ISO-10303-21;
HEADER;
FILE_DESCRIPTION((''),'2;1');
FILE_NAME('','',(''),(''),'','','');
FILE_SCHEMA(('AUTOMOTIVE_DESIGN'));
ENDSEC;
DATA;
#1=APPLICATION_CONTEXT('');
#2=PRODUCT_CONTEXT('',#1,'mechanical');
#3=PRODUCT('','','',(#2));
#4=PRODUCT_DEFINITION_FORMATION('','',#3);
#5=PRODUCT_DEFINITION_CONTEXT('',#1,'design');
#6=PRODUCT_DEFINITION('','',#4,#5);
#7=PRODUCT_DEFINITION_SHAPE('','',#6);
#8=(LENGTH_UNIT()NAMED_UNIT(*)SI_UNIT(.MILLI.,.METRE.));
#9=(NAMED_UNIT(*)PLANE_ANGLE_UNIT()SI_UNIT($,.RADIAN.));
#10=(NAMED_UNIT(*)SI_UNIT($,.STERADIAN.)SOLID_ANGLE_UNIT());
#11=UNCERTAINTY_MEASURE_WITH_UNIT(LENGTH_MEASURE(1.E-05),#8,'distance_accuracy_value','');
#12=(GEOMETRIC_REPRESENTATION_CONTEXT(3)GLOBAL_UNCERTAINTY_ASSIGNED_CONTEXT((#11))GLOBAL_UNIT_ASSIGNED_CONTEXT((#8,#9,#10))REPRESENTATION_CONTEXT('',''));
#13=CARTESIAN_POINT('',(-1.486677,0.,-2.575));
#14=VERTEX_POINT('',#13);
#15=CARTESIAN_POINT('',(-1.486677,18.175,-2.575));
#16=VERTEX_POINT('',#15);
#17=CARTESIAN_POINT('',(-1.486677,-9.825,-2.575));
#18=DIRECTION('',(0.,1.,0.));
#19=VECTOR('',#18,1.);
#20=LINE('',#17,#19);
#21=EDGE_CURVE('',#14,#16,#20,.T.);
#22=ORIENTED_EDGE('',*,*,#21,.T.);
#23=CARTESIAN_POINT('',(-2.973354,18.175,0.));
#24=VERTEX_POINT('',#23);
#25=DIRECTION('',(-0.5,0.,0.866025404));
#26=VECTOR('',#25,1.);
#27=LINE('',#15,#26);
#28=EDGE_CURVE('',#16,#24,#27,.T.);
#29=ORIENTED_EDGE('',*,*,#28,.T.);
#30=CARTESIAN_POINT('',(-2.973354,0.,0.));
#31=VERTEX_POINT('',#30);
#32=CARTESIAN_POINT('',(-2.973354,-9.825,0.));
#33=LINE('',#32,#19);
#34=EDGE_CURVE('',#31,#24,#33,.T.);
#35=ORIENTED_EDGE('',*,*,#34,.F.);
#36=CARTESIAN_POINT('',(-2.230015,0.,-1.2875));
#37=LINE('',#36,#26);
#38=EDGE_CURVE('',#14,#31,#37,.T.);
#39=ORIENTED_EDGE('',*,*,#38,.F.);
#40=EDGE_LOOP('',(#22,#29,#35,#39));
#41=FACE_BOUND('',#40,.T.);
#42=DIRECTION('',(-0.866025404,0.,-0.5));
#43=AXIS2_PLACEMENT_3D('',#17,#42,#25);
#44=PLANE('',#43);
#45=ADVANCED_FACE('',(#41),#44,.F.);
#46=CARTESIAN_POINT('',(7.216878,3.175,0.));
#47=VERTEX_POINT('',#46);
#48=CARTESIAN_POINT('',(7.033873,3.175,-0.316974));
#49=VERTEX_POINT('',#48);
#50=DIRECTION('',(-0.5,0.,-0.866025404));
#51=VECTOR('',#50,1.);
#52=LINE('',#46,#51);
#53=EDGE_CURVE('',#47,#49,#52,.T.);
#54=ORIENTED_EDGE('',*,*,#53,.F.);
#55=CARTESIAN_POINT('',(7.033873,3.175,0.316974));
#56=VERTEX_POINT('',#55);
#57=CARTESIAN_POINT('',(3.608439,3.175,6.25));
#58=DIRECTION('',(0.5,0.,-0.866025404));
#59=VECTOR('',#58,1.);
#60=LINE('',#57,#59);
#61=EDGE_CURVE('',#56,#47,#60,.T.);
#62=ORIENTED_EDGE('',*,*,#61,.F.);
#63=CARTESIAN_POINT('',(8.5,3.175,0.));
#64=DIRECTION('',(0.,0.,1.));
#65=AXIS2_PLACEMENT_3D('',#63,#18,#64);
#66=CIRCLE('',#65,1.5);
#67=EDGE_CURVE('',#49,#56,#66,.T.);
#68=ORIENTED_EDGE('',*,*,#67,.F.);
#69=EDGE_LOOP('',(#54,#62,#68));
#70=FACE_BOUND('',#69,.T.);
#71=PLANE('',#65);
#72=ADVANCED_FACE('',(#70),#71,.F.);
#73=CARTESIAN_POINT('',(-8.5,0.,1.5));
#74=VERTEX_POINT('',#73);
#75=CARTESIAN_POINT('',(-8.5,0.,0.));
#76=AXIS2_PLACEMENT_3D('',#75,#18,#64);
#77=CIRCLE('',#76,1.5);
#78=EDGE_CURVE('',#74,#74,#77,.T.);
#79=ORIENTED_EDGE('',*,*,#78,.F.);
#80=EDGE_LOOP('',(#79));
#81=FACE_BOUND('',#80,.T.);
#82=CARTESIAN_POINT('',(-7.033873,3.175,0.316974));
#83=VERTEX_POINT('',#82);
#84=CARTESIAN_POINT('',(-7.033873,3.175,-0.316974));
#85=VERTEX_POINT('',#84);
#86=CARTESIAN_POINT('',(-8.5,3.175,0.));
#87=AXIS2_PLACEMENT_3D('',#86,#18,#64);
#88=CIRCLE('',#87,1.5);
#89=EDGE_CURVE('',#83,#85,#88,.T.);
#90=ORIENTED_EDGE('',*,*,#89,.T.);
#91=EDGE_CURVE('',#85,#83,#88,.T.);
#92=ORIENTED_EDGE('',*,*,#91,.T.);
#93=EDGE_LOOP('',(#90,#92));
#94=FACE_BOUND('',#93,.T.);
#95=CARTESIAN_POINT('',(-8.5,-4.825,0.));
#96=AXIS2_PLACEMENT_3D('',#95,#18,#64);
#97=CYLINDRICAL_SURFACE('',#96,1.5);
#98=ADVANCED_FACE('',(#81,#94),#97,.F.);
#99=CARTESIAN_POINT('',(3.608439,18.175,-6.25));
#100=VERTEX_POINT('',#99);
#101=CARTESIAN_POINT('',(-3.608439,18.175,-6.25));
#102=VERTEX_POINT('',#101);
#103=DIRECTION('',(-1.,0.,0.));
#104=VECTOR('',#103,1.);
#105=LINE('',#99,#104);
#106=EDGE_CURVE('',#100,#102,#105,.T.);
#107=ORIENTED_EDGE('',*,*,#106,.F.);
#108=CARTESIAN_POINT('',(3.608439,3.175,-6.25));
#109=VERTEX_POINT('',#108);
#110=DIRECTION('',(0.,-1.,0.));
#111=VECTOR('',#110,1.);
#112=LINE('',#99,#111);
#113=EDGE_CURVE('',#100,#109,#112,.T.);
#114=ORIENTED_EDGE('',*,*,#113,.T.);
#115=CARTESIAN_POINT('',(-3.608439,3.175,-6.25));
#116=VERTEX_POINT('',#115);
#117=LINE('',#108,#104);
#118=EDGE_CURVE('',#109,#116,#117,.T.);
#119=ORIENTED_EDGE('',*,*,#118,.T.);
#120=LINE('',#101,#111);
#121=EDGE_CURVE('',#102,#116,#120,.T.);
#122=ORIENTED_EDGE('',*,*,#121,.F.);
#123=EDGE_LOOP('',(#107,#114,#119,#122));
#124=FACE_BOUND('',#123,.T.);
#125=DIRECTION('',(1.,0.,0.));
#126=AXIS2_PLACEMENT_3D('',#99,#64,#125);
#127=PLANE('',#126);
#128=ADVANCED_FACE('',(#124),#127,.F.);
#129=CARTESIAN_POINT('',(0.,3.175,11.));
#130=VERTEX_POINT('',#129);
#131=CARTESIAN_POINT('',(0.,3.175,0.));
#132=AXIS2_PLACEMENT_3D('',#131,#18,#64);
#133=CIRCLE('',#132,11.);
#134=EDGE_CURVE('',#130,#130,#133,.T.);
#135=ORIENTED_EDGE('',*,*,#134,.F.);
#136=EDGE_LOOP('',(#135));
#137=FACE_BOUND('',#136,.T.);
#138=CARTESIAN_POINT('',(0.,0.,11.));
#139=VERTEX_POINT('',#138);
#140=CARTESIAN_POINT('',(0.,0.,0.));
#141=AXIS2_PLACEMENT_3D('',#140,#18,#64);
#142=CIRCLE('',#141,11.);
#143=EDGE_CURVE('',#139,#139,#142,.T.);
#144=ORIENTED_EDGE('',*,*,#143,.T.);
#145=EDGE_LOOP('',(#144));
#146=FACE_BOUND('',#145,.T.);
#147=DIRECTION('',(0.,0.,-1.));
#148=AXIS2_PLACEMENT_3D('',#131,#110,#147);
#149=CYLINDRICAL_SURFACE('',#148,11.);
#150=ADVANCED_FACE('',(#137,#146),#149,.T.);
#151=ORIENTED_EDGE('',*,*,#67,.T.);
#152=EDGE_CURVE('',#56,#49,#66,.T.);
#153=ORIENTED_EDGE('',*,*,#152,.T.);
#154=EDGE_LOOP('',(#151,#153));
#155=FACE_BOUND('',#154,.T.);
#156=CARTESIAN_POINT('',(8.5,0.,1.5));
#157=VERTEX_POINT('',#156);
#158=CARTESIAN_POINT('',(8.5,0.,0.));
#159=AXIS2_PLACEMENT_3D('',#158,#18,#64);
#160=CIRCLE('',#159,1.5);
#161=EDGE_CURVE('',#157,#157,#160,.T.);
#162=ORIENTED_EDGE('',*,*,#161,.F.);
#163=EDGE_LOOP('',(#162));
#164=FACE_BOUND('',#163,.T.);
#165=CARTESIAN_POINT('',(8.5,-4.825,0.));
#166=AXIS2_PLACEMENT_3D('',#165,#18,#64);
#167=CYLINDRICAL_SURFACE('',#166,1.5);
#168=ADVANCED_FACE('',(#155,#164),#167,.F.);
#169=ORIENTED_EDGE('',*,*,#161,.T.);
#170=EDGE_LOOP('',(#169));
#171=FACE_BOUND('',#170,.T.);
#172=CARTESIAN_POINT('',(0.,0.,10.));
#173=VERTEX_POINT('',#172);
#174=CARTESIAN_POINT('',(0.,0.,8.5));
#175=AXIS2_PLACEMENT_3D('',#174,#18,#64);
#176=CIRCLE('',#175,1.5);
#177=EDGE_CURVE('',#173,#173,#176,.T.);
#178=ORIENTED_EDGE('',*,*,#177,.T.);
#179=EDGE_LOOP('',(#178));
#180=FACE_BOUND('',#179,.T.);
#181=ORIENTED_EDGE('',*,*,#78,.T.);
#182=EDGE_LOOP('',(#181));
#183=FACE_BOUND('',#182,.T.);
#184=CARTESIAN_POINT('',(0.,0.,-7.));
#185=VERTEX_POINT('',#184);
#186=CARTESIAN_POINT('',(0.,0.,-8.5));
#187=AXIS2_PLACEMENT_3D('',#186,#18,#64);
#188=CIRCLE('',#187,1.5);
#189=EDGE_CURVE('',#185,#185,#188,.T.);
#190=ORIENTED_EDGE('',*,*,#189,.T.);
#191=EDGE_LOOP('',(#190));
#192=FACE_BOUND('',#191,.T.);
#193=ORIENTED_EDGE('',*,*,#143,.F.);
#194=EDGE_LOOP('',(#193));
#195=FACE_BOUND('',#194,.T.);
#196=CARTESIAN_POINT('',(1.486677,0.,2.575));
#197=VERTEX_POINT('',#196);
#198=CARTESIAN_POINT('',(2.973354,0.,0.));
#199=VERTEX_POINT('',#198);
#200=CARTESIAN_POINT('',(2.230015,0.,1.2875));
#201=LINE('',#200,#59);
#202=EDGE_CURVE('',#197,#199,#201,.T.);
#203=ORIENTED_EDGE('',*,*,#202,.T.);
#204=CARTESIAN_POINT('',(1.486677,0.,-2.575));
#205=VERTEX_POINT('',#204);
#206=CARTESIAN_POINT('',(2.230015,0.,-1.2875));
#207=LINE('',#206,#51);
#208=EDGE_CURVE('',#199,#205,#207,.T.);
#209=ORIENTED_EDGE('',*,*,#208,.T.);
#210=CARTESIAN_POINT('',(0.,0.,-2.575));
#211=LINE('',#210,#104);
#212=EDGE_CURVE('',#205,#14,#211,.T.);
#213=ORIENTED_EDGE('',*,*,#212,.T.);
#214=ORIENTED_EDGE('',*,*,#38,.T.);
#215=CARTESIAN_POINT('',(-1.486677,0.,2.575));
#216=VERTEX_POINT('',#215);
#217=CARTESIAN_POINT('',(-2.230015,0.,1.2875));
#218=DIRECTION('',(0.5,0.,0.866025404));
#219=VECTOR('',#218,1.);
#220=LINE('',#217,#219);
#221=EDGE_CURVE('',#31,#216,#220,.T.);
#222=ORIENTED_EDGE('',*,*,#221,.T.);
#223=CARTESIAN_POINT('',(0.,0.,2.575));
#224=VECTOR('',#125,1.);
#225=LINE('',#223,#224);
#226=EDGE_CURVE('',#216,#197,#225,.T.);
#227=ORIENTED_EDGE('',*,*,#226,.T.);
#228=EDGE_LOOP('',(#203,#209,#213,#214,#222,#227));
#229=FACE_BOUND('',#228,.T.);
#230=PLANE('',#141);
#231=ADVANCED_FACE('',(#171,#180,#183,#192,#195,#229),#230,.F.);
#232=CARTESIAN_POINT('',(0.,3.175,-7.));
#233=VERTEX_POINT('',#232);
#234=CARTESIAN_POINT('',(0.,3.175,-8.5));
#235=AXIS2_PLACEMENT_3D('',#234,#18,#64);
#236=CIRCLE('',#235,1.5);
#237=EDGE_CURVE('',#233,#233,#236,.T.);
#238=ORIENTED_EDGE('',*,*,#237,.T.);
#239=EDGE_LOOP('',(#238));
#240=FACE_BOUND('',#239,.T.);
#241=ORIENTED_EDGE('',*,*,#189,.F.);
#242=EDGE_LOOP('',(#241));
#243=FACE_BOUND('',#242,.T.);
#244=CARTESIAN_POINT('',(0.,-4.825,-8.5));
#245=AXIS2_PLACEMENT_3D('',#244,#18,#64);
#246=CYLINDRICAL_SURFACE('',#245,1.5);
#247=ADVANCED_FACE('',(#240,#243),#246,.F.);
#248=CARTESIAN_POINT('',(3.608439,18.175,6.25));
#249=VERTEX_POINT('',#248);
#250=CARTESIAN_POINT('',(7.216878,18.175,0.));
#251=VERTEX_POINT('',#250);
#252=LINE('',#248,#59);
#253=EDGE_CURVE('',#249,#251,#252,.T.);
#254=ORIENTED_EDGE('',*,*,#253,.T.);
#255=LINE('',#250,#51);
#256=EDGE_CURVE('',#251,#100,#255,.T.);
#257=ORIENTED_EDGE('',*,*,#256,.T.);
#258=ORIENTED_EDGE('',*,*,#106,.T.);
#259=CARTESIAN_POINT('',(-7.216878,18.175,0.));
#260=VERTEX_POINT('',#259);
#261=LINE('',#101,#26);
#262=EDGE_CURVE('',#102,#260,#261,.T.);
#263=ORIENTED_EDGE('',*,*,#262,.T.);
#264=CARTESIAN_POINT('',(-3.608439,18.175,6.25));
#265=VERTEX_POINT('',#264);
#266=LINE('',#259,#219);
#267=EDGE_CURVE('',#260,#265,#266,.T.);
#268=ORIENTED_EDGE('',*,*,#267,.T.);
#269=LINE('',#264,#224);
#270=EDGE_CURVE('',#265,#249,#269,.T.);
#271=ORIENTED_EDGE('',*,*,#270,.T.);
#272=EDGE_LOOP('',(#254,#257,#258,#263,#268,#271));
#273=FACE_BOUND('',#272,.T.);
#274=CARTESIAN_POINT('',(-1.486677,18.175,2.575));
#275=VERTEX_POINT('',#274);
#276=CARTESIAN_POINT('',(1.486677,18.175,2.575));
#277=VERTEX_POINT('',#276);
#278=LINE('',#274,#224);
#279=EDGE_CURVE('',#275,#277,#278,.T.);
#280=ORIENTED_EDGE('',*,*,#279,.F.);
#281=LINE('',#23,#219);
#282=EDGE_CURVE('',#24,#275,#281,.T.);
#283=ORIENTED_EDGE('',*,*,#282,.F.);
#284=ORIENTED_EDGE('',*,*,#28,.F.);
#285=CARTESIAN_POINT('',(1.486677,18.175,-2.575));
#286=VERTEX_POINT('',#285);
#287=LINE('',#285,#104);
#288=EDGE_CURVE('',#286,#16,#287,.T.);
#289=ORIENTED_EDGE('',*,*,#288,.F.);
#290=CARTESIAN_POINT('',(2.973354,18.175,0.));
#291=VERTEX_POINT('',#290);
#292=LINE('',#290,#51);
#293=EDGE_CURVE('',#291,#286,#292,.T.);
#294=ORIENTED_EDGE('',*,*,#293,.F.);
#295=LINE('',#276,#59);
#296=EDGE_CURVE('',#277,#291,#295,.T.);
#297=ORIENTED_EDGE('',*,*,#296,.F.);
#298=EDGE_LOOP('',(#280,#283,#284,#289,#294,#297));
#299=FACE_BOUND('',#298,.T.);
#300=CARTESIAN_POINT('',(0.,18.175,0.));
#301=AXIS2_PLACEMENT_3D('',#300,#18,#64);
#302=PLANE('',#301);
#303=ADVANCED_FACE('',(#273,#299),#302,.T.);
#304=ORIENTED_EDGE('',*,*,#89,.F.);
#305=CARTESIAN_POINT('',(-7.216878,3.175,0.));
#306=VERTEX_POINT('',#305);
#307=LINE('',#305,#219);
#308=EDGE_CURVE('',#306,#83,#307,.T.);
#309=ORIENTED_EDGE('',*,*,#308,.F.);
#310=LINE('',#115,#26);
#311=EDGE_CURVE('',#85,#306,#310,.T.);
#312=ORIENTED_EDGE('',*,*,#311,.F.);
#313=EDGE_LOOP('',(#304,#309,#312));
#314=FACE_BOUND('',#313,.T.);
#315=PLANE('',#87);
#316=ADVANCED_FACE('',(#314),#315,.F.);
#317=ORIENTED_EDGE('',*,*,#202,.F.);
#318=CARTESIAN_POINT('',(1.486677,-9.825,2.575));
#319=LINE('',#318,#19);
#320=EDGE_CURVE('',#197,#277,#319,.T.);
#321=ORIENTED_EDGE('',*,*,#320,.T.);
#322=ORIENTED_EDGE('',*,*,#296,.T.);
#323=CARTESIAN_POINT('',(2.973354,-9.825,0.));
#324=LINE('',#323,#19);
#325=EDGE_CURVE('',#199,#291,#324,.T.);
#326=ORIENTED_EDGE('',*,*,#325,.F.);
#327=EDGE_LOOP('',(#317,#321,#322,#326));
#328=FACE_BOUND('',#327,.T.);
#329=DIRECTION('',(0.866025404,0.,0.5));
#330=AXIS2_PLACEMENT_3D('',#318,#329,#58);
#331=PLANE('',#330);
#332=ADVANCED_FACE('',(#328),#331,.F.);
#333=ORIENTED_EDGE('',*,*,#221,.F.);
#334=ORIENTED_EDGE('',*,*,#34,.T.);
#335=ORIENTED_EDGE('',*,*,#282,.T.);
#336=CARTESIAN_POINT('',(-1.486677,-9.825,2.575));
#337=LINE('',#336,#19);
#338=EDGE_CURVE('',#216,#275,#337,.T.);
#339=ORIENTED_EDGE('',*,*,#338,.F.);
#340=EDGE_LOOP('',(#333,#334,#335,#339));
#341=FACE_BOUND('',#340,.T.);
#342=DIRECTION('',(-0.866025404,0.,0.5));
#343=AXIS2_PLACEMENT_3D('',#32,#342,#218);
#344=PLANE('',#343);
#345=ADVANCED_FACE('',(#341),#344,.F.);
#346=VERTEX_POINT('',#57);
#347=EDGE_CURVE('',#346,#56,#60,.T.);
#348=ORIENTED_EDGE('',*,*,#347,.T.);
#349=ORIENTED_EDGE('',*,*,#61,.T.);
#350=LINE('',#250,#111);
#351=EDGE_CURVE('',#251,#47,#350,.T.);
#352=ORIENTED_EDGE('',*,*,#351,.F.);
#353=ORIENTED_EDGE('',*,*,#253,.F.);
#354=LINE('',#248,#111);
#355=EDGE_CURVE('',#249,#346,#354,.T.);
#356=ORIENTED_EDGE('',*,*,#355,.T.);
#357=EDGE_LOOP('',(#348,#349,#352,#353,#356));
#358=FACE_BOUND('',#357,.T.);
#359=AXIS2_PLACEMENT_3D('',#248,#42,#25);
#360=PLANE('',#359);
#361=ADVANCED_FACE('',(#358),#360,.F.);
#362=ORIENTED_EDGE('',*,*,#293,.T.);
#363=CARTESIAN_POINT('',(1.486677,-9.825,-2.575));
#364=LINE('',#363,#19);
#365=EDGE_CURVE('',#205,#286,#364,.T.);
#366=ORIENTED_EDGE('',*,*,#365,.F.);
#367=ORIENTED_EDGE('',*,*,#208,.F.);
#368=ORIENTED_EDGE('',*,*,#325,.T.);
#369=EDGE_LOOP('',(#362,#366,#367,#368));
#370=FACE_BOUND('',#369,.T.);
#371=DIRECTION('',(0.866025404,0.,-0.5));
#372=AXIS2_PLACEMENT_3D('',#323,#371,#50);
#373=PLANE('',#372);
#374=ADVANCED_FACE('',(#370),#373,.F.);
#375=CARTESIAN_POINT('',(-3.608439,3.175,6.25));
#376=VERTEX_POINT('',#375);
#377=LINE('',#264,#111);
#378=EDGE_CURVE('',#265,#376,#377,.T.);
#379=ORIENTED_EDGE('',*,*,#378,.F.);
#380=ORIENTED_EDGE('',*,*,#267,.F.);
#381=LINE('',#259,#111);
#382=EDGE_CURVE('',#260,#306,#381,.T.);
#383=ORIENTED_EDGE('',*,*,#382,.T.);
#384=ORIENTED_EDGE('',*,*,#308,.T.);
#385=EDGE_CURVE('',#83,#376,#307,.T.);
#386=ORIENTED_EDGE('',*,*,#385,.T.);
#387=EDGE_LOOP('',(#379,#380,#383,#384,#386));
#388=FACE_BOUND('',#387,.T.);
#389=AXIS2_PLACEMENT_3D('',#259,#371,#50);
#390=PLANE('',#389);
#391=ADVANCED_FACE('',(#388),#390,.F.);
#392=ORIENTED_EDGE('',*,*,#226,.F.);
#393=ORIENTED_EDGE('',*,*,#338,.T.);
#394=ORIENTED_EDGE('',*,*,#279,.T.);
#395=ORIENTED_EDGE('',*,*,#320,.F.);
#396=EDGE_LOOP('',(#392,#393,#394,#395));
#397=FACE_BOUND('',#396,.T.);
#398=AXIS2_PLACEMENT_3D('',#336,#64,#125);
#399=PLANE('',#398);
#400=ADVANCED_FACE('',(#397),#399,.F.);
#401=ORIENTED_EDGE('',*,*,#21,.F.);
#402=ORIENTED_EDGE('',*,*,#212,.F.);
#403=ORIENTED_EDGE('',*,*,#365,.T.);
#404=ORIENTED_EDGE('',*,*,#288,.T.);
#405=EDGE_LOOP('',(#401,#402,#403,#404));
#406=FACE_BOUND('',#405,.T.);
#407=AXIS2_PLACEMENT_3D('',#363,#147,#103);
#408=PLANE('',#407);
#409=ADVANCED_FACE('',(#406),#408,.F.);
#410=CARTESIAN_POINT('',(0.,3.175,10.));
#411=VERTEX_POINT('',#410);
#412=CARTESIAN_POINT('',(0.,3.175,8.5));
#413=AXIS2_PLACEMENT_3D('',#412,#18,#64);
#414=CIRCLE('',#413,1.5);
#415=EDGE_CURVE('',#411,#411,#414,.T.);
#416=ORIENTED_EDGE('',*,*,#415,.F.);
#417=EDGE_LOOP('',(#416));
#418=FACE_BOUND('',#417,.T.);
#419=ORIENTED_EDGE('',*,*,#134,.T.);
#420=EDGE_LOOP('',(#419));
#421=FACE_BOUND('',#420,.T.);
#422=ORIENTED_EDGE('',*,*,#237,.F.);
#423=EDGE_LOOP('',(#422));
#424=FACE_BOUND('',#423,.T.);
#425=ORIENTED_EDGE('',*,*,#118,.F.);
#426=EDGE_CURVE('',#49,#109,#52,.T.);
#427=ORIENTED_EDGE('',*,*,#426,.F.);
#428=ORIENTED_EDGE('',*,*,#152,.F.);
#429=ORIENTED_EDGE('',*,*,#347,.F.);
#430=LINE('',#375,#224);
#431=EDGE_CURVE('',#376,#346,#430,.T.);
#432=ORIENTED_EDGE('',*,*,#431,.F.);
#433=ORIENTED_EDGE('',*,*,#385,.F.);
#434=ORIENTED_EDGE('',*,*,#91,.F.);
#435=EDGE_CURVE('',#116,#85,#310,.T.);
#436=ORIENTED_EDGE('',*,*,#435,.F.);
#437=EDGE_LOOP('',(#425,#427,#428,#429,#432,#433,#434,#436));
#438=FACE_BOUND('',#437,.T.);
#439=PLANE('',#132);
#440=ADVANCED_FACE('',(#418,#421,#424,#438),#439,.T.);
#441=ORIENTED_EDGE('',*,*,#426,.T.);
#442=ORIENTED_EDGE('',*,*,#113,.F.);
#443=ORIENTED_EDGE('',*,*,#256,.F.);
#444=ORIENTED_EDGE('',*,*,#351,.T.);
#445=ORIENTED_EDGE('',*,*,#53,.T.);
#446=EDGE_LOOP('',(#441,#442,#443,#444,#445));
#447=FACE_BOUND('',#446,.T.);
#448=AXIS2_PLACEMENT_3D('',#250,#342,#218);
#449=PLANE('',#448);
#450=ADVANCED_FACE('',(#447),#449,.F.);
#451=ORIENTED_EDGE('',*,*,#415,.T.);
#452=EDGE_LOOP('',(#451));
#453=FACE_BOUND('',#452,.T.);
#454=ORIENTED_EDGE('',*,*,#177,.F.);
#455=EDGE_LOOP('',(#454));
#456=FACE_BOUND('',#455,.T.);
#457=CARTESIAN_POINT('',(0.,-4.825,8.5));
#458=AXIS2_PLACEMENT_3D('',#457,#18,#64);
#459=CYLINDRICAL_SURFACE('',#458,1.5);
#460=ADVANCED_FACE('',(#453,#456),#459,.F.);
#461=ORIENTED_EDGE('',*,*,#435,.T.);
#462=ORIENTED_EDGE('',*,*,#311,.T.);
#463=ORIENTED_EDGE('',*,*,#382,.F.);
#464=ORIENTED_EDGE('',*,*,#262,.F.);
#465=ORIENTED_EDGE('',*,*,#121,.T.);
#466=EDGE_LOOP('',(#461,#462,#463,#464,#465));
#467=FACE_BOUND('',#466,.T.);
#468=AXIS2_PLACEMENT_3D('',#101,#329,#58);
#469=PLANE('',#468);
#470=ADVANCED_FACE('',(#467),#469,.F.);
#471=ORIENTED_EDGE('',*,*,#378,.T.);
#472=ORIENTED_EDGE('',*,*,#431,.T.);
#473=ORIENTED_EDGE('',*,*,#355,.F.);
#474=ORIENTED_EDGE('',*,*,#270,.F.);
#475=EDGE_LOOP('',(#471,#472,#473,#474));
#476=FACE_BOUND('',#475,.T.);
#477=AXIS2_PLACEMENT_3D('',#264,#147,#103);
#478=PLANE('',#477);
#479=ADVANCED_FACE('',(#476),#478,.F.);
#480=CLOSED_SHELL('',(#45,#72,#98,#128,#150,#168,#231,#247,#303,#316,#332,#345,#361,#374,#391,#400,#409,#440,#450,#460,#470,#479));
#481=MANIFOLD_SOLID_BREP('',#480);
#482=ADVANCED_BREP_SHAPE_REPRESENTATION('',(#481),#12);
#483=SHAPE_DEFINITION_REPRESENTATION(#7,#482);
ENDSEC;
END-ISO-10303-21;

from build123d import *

# Parameters (mm, degrees)
SKETCH1_R           = 11
BOSS_EXTRUDE1_DEPTH = 3.175
BOSS_EXTRUDE2_DEPTH = 15
CUT_EXTRUDE2_DEPTH  = 28
SKETCH6_R           = 1.5
CUT_EXTRUDE3_DEPTH  = 8


with BuildPart() as part:
    # Sketch1 → Boss-Extrude1 (new body)
    with BuildSketch(Plane(origin=(0, 0, 0), x_dir=(1, 0, 0), z_dir=(0, 1, 0))):
        with Locations(Location((0, 0, 0), (0, 0, 270))):
            Circle(SKETCH1_R)
    extrude(amount=BOSS_EXTRUDE1_DEPTH)

    # Sketch2 → Boss-Extrude2 (add)
    with BuildSketch(Plane(origin=(0, 3.175, 0), x_dir=(1, 0, 0), z_dir=(0, 1, 0))):
        Polygon((3.608439182, -6.25), (7.216878365, 0), (3.608439182, 6.25), (-3.608439182, 6.25), (-7.216878365, 0), (-3.608439182, -6.25), align=None)
    extrude(amount=BOSS_EXTRUDE2_DEPTH)

    # Sketch3 → Cut-Extrude2 (cut)
    with BuildSketch(Plane(origin=(0, 18.175, 0), x_dir=(1, 0, 0), z_dir=(0, 1, 0))):
        Polygon((1.486676943, -2.575), (2.973353886, 0), (1.486676943, 2.575), (-1.486676943, 2.575), (-2.973353886, 0), (-1.486676943, -2.575), align=None)
    extrude(amount=-CUT_EXTRUDE2_DEPTH, mode=Mode.SUBTRACT)

    # Sketch6 → Cut-Extrude3 (cut)
    with BuildSketch(Plane(origin=(0, 3.175, 0), x_dir=(1, 0, 0), z_dir=(0, 1, 0))):
        with Locations(Location((0, 8.5, 0), (0, 0, 270))):
            Circle(SKETCH6_R)
        with Locations(Location((8.5, 0, 0), (0, 0, 270))):
            Circle(SKETCH6_R)
        with Locations(Location((0, -8.5, 0), (0, 0, 270))):
            Circle(SKETCH6_R)
        with Locations(Location((-8.5, 0, 0), (0, 0, 270))):
            Circle(SKETCH6_R)
    extrude(amount=-CUT_EXTRUDE3_DEPTH, mode=Mode.SUBTRACT)


solid = part.part
